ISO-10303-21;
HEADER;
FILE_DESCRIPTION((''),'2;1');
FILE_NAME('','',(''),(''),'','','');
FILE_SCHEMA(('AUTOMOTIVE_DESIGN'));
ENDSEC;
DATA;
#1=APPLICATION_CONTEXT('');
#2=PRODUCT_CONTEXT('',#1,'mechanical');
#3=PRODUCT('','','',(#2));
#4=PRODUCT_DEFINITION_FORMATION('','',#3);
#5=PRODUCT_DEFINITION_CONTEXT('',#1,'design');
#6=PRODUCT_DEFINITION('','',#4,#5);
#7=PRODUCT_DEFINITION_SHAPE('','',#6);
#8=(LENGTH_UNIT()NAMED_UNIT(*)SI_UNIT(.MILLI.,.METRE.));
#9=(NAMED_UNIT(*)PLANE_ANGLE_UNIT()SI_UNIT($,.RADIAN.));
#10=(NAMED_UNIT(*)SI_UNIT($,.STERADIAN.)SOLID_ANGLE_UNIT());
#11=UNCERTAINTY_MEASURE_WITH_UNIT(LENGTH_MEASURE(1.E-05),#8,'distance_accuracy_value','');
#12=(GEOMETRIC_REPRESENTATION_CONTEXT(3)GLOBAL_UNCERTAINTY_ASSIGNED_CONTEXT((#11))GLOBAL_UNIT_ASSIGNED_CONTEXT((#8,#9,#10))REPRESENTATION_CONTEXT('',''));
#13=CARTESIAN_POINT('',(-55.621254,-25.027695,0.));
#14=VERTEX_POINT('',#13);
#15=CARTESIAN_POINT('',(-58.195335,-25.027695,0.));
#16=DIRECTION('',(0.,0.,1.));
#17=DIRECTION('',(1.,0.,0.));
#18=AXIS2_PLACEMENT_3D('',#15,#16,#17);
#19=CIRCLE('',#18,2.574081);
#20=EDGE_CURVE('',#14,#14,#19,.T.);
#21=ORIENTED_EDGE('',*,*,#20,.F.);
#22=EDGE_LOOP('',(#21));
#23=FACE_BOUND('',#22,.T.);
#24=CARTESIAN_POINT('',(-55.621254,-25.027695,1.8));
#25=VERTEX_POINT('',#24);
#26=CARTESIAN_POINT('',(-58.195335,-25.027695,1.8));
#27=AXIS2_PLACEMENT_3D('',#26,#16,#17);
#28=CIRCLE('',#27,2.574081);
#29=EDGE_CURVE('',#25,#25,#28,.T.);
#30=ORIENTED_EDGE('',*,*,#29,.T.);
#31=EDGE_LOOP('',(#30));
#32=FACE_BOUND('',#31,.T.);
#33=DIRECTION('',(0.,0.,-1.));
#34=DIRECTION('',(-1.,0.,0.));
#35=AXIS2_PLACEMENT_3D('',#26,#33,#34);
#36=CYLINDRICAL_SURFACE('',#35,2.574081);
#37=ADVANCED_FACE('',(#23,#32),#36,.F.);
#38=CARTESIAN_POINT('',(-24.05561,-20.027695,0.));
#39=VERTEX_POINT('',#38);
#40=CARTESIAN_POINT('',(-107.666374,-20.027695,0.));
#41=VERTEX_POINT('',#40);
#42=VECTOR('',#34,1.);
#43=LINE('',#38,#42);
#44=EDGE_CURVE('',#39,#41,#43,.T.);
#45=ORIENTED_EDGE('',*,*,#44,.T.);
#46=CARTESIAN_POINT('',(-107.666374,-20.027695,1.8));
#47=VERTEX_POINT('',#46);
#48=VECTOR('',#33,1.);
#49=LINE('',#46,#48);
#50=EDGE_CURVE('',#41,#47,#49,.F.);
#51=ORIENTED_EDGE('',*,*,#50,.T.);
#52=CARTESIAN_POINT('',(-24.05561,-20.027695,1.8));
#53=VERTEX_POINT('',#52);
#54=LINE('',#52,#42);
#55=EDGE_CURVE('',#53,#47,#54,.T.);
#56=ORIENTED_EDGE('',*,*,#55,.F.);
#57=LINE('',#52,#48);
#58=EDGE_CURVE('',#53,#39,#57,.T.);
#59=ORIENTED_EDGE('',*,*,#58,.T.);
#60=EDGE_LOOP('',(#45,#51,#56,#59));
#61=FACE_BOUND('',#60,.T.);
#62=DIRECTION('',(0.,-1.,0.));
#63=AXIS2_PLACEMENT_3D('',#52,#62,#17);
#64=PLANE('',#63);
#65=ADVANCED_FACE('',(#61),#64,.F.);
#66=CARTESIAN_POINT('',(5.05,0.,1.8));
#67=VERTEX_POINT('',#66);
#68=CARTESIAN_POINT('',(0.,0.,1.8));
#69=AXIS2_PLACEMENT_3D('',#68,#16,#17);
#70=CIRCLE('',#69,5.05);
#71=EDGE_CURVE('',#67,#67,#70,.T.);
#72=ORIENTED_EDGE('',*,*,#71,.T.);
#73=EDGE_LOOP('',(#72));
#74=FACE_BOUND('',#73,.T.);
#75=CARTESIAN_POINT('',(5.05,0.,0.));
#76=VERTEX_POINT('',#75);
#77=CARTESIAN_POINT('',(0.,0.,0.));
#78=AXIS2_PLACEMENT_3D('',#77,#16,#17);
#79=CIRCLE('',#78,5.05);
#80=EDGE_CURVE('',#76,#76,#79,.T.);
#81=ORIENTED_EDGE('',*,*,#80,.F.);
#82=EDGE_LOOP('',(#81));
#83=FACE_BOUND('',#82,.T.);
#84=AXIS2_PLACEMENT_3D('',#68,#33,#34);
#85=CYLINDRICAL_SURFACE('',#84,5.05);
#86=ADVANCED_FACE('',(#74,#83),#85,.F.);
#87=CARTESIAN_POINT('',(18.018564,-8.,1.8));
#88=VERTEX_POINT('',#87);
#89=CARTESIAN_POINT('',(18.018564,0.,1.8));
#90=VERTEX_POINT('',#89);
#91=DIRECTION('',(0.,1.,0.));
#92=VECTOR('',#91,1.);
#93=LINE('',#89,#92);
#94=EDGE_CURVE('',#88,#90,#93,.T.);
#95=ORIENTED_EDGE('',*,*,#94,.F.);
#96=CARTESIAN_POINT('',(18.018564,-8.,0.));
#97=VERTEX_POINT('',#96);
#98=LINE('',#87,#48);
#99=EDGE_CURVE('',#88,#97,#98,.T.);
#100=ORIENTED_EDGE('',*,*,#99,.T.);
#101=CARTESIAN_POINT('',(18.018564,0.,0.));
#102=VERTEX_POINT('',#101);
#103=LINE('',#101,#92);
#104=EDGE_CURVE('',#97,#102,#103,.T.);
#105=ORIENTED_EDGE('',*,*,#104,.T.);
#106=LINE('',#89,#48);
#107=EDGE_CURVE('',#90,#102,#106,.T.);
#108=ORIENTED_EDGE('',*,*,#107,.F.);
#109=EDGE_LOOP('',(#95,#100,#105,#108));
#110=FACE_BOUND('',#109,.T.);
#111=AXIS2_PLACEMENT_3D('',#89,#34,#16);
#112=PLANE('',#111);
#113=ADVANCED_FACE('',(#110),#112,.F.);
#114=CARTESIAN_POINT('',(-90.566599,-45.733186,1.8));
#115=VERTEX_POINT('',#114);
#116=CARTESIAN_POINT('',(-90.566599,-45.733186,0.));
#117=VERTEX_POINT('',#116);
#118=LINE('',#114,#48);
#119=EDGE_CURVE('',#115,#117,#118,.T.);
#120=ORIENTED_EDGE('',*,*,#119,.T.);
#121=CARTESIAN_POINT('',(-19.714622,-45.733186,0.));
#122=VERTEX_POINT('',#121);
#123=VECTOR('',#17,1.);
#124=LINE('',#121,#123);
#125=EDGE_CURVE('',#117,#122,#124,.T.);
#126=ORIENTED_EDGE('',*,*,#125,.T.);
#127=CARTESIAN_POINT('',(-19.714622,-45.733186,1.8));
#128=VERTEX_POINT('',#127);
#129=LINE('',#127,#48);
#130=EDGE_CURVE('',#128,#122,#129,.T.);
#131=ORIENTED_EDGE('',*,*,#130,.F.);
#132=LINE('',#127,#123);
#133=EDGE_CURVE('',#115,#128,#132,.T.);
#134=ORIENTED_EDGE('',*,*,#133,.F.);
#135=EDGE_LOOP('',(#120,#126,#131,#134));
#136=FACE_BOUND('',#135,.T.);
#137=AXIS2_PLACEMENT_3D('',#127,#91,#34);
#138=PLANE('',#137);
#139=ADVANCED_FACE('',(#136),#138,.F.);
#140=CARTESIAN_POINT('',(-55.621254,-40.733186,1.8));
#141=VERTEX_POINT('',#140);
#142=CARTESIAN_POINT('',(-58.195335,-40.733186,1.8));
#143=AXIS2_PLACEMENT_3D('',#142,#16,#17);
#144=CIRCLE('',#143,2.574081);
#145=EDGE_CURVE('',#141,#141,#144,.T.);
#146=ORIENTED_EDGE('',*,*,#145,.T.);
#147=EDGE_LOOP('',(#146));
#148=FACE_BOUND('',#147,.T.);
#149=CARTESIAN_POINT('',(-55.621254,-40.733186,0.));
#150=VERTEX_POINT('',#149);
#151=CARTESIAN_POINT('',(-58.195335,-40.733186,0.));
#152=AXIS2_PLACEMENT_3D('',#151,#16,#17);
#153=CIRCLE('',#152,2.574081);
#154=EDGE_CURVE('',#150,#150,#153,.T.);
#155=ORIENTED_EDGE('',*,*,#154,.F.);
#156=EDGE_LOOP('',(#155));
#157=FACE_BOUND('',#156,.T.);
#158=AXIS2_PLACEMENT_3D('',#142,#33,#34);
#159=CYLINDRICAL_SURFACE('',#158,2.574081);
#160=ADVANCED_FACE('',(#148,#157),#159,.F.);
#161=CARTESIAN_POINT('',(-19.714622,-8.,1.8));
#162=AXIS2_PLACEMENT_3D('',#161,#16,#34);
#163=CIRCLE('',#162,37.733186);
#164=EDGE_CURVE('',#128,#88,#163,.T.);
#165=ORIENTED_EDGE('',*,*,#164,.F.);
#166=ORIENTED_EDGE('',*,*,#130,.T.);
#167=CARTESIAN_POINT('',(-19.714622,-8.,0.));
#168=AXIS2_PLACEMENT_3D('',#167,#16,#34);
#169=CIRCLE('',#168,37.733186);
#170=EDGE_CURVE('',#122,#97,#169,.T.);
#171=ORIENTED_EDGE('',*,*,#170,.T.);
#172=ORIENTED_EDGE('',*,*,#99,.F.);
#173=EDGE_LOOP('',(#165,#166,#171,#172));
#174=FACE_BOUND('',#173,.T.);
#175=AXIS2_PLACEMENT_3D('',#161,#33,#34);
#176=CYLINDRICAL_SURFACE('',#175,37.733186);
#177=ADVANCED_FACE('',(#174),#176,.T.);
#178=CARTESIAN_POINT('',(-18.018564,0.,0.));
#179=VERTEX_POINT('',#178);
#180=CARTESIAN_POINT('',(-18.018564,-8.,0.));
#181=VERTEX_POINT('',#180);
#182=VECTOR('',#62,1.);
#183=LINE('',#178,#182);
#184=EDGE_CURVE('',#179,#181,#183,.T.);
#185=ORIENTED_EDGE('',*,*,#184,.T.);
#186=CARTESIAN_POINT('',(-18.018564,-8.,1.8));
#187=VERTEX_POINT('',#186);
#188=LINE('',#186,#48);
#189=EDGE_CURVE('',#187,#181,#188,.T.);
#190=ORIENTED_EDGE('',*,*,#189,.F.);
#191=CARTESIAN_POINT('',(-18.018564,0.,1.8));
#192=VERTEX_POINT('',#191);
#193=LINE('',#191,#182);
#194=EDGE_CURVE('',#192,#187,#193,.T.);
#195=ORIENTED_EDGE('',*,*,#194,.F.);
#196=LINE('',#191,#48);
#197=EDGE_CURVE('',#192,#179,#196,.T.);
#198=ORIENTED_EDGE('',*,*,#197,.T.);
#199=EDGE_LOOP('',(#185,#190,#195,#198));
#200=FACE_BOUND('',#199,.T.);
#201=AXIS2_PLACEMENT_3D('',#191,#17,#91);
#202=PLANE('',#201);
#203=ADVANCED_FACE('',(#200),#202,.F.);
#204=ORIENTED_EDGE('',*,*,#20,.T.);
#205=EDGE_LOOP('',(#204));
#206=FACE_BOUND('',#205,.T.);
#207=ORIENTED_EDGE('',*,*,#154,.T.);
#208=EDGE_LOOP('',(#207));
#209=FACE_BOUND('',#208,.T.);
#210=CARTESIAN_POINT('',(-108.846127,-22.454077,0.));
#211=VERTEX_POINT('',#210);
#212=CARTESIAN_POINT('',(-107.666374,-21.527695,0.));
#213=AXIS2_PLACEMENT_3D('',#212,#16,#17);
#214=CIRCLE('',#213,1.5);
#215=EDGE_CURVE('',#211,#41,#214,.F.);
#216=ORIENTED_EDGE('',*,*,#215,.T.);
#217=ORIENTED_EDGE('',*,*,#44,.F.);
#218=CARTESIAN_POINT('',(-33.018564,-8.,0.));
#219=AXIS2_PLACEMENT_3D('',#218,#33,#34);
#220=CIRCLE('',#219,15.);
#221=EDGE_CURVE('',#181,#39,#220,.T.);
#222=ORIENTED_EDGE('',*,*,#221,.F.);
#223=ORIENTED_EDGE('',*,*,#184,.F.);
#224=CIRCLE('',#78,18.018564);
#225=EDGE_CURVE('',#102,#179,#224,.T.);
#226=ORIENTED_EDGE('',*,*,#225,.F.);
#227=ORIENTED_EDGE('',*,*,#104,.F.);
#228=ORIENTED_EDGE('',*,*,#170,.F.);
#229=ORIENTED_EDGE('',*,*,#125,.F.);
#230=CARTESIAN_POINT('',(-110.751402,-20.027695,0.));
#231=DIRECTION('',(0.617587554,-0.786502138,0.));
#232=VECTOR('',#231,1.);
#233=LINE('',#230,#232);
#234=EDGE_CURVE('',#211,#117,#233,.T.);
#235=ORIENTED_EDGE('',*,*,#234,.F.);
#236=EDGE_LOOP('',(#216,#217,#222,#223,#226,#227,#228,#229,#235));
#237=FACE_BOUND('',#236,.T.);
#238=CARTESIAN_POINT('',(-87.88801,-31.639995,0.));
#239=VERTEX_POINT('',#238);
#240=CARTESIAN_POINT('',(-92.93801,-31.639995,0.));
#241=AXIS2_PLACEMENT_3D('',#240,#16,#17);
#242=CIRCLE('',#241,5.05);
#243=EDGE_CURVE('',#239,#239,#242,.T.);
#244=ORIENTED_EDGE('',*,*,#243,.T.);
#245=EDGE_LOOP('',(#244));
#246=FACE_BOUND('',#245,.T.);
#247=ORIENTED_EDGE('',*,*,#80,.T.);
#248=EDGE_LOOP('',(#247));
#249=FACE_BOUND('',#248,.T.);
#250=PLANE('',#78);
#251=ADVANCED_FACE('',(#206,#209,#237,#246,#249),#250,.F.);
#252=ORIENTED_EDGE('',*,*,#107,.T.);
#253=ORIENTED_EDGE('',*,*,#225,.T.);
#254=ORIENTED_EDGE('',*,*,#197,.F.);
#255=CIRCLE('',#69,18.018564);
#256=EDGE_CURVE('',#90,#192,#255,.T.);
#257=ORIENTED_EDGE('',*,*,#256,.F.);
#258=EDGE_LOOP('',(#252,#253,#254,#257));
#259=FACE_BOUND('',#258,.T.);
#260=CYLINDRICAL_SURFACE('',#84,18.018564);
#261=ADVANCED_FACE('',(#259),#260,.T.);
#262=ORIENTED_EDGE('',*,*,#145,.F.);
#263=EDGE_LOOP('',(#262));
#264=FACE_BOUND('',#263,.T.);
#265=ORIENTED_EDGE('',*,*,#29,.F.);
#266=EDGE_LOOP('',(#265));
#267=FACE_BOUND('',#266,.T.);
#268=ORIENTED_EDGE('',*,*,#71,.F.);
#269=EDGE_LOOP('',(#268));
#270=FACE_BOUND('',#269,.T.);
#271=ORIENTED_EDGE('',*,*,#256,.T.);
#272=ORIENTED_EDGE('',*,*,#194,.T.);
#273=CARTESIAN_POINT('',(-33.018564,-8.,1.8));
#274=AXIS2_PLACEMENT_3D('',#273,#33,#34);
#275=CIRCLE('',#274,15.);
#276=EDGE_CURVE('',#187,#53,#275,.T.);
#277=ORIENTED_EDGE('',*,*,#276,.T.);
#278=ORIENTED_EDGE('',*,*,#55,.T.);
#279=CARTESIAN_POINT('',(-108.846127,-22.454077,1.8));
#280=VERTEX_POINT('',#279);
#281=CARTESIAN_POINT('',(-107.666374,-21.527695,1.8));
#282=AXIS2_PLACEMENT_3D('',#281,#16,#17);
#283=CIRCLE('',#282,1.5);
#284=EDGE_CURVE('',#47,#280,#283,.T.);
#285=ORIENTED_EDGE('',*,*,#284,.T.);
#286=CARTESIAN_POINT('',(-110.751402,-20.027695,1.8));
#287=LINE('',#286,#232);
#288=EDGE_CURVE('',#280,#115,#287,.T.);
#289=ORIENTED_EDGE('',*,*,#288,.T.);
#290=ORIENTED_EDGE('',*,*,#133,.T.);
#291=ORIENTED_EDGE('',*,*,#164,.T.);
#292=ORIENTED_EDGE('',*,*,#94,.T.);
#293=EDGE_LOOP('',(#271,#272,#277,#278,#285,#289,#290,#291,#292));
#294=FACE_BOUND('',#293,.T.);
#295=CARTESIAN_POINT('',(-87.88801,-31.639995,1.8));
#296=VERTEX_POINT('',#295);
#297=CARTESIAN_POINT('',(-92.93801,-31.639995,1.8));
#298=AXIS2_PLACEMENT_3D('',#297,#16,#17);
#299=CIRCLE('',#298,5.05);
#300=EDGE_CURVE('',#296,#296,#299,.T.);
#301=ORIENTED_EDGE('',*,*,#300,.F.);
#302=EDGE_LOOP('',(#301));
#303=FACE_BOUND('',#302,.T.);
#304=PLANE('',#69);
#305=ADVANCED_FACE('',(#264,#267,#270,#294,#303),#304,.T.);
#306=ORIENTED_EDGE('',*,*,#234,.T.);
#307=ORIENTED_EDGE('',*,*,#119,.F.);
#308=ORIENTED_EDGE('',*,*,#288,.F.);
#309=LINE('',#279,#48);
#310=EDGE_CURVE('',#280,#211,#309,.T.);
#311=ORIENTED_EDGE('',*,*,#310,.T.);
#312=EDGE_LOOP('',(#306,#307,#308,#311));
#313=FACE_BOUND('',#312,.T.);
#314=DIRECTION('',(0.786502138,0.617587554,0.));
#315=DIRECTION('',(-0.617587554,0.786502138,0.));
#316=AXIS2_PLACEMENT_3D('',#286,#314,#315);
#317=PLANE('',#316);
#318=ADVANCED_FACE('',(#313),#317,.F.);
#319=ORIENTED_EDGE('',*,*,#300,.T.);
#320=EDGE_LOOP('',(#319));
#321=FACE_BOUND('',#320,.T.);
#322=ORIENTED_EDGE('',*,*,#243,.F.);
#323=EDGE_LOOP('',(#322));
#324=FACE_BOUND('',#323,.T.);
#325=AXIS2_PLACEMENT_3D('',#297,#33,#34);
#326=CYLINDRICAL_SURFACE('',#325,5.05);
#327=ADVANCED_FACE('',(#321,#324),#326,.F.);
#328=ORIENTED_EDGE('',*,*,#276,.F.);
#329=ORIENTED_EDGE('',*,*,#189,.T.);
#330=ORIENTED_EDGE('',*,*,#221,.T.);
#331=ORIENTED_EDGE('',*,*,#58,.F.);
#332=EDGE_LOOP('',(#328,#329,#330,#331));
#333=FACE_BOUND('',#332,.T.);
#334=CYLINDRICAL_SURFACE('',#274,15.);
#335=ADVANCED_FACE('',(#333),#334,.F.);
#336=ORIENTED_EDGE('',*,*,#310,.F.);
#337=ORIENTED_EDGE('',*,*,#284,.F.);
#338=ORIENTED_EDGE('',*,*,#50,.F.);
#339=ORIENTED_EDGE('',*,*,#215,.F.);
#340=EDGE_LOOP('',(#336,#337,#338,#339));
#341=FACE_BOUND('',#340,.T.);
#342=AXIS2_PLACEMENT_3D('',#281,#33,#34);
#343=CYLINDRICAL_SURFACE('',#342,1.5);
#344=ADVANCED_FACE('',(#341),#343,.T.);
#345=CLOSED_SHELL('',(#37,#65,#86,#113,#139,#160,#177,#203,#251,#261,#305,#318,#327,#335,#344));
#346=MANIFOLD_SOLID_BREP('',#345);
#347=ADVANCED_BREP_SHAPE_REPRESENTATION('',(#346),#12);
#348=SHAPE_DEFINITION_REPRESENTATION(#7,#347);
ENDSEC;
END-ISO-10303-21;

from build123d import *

# Parameters (mm, degrees)
ESBO_O1_R                = 5.05
ESBO_O1_R_2              = 2.574080602
RESSALTO_EXTRUS_O1_DEPTH = 1.8
FILETE1_R                = 1.5


with BuildPart() as part:
    # Esboço1 → Ressalto-extrusão1 (new body)
    with BuildSketch(Plane.XY):
        with BuildLine():
            Line((-18.018564211, 0), (-18.018564211, -8))
            ThreePointArc((-18.018564211, -8), (-19.612515049, -14.728881473), (-24.055610328, -20.027695444))
            Line((-24.055610328, -20.027695444), (-110.751402368, -20.027695444))
            Line((-110.751402368, -20.027695444), (-90.566598558, -45.733186479))
            Line((-90.566598558, -45.733186479), (-19.714622268, -45.733186479))
            ThreePointArc((-19.714622268, -45.733186479), (6.966769767, -34.681392035), (18.018564211, -8))
            Line((18.018564211, -8), (18.018564211, 0))
            ThreePointArc((18.018564211, 0), (0, 18.018564211), (-18.018564211, 0))
        make_face()
        Circle(ESBO_O1_R, mode=Mode.SUBTRACT)
        with Locations((-58.195334888, -25.027695444)):
            Circle(ESBO_O1_R_2, mode=Mode.SUBTRACT)
        with Locations((-58.195334888, -40.733186479)):
            Circle(ESBO_O1_R_2, mode=Mode.SUBTRACT)
        with Locations((-92.938010051, -31.639994649)):
            Circle(ESBO_O1_R, mode=Mode.SUBTRACT)
    extrude(amount=RESSALTO_EXTRUS_O1_DEPTH)

    # Filete1
    filete1_edges = [part.edges().sort_by_distance(p)[0] for p in [
        (-110.751402368, -20.027695444, 0.9),
    ]]
    fillet(filete1_edges, radius=FILETE1_R)


solid = part.part
